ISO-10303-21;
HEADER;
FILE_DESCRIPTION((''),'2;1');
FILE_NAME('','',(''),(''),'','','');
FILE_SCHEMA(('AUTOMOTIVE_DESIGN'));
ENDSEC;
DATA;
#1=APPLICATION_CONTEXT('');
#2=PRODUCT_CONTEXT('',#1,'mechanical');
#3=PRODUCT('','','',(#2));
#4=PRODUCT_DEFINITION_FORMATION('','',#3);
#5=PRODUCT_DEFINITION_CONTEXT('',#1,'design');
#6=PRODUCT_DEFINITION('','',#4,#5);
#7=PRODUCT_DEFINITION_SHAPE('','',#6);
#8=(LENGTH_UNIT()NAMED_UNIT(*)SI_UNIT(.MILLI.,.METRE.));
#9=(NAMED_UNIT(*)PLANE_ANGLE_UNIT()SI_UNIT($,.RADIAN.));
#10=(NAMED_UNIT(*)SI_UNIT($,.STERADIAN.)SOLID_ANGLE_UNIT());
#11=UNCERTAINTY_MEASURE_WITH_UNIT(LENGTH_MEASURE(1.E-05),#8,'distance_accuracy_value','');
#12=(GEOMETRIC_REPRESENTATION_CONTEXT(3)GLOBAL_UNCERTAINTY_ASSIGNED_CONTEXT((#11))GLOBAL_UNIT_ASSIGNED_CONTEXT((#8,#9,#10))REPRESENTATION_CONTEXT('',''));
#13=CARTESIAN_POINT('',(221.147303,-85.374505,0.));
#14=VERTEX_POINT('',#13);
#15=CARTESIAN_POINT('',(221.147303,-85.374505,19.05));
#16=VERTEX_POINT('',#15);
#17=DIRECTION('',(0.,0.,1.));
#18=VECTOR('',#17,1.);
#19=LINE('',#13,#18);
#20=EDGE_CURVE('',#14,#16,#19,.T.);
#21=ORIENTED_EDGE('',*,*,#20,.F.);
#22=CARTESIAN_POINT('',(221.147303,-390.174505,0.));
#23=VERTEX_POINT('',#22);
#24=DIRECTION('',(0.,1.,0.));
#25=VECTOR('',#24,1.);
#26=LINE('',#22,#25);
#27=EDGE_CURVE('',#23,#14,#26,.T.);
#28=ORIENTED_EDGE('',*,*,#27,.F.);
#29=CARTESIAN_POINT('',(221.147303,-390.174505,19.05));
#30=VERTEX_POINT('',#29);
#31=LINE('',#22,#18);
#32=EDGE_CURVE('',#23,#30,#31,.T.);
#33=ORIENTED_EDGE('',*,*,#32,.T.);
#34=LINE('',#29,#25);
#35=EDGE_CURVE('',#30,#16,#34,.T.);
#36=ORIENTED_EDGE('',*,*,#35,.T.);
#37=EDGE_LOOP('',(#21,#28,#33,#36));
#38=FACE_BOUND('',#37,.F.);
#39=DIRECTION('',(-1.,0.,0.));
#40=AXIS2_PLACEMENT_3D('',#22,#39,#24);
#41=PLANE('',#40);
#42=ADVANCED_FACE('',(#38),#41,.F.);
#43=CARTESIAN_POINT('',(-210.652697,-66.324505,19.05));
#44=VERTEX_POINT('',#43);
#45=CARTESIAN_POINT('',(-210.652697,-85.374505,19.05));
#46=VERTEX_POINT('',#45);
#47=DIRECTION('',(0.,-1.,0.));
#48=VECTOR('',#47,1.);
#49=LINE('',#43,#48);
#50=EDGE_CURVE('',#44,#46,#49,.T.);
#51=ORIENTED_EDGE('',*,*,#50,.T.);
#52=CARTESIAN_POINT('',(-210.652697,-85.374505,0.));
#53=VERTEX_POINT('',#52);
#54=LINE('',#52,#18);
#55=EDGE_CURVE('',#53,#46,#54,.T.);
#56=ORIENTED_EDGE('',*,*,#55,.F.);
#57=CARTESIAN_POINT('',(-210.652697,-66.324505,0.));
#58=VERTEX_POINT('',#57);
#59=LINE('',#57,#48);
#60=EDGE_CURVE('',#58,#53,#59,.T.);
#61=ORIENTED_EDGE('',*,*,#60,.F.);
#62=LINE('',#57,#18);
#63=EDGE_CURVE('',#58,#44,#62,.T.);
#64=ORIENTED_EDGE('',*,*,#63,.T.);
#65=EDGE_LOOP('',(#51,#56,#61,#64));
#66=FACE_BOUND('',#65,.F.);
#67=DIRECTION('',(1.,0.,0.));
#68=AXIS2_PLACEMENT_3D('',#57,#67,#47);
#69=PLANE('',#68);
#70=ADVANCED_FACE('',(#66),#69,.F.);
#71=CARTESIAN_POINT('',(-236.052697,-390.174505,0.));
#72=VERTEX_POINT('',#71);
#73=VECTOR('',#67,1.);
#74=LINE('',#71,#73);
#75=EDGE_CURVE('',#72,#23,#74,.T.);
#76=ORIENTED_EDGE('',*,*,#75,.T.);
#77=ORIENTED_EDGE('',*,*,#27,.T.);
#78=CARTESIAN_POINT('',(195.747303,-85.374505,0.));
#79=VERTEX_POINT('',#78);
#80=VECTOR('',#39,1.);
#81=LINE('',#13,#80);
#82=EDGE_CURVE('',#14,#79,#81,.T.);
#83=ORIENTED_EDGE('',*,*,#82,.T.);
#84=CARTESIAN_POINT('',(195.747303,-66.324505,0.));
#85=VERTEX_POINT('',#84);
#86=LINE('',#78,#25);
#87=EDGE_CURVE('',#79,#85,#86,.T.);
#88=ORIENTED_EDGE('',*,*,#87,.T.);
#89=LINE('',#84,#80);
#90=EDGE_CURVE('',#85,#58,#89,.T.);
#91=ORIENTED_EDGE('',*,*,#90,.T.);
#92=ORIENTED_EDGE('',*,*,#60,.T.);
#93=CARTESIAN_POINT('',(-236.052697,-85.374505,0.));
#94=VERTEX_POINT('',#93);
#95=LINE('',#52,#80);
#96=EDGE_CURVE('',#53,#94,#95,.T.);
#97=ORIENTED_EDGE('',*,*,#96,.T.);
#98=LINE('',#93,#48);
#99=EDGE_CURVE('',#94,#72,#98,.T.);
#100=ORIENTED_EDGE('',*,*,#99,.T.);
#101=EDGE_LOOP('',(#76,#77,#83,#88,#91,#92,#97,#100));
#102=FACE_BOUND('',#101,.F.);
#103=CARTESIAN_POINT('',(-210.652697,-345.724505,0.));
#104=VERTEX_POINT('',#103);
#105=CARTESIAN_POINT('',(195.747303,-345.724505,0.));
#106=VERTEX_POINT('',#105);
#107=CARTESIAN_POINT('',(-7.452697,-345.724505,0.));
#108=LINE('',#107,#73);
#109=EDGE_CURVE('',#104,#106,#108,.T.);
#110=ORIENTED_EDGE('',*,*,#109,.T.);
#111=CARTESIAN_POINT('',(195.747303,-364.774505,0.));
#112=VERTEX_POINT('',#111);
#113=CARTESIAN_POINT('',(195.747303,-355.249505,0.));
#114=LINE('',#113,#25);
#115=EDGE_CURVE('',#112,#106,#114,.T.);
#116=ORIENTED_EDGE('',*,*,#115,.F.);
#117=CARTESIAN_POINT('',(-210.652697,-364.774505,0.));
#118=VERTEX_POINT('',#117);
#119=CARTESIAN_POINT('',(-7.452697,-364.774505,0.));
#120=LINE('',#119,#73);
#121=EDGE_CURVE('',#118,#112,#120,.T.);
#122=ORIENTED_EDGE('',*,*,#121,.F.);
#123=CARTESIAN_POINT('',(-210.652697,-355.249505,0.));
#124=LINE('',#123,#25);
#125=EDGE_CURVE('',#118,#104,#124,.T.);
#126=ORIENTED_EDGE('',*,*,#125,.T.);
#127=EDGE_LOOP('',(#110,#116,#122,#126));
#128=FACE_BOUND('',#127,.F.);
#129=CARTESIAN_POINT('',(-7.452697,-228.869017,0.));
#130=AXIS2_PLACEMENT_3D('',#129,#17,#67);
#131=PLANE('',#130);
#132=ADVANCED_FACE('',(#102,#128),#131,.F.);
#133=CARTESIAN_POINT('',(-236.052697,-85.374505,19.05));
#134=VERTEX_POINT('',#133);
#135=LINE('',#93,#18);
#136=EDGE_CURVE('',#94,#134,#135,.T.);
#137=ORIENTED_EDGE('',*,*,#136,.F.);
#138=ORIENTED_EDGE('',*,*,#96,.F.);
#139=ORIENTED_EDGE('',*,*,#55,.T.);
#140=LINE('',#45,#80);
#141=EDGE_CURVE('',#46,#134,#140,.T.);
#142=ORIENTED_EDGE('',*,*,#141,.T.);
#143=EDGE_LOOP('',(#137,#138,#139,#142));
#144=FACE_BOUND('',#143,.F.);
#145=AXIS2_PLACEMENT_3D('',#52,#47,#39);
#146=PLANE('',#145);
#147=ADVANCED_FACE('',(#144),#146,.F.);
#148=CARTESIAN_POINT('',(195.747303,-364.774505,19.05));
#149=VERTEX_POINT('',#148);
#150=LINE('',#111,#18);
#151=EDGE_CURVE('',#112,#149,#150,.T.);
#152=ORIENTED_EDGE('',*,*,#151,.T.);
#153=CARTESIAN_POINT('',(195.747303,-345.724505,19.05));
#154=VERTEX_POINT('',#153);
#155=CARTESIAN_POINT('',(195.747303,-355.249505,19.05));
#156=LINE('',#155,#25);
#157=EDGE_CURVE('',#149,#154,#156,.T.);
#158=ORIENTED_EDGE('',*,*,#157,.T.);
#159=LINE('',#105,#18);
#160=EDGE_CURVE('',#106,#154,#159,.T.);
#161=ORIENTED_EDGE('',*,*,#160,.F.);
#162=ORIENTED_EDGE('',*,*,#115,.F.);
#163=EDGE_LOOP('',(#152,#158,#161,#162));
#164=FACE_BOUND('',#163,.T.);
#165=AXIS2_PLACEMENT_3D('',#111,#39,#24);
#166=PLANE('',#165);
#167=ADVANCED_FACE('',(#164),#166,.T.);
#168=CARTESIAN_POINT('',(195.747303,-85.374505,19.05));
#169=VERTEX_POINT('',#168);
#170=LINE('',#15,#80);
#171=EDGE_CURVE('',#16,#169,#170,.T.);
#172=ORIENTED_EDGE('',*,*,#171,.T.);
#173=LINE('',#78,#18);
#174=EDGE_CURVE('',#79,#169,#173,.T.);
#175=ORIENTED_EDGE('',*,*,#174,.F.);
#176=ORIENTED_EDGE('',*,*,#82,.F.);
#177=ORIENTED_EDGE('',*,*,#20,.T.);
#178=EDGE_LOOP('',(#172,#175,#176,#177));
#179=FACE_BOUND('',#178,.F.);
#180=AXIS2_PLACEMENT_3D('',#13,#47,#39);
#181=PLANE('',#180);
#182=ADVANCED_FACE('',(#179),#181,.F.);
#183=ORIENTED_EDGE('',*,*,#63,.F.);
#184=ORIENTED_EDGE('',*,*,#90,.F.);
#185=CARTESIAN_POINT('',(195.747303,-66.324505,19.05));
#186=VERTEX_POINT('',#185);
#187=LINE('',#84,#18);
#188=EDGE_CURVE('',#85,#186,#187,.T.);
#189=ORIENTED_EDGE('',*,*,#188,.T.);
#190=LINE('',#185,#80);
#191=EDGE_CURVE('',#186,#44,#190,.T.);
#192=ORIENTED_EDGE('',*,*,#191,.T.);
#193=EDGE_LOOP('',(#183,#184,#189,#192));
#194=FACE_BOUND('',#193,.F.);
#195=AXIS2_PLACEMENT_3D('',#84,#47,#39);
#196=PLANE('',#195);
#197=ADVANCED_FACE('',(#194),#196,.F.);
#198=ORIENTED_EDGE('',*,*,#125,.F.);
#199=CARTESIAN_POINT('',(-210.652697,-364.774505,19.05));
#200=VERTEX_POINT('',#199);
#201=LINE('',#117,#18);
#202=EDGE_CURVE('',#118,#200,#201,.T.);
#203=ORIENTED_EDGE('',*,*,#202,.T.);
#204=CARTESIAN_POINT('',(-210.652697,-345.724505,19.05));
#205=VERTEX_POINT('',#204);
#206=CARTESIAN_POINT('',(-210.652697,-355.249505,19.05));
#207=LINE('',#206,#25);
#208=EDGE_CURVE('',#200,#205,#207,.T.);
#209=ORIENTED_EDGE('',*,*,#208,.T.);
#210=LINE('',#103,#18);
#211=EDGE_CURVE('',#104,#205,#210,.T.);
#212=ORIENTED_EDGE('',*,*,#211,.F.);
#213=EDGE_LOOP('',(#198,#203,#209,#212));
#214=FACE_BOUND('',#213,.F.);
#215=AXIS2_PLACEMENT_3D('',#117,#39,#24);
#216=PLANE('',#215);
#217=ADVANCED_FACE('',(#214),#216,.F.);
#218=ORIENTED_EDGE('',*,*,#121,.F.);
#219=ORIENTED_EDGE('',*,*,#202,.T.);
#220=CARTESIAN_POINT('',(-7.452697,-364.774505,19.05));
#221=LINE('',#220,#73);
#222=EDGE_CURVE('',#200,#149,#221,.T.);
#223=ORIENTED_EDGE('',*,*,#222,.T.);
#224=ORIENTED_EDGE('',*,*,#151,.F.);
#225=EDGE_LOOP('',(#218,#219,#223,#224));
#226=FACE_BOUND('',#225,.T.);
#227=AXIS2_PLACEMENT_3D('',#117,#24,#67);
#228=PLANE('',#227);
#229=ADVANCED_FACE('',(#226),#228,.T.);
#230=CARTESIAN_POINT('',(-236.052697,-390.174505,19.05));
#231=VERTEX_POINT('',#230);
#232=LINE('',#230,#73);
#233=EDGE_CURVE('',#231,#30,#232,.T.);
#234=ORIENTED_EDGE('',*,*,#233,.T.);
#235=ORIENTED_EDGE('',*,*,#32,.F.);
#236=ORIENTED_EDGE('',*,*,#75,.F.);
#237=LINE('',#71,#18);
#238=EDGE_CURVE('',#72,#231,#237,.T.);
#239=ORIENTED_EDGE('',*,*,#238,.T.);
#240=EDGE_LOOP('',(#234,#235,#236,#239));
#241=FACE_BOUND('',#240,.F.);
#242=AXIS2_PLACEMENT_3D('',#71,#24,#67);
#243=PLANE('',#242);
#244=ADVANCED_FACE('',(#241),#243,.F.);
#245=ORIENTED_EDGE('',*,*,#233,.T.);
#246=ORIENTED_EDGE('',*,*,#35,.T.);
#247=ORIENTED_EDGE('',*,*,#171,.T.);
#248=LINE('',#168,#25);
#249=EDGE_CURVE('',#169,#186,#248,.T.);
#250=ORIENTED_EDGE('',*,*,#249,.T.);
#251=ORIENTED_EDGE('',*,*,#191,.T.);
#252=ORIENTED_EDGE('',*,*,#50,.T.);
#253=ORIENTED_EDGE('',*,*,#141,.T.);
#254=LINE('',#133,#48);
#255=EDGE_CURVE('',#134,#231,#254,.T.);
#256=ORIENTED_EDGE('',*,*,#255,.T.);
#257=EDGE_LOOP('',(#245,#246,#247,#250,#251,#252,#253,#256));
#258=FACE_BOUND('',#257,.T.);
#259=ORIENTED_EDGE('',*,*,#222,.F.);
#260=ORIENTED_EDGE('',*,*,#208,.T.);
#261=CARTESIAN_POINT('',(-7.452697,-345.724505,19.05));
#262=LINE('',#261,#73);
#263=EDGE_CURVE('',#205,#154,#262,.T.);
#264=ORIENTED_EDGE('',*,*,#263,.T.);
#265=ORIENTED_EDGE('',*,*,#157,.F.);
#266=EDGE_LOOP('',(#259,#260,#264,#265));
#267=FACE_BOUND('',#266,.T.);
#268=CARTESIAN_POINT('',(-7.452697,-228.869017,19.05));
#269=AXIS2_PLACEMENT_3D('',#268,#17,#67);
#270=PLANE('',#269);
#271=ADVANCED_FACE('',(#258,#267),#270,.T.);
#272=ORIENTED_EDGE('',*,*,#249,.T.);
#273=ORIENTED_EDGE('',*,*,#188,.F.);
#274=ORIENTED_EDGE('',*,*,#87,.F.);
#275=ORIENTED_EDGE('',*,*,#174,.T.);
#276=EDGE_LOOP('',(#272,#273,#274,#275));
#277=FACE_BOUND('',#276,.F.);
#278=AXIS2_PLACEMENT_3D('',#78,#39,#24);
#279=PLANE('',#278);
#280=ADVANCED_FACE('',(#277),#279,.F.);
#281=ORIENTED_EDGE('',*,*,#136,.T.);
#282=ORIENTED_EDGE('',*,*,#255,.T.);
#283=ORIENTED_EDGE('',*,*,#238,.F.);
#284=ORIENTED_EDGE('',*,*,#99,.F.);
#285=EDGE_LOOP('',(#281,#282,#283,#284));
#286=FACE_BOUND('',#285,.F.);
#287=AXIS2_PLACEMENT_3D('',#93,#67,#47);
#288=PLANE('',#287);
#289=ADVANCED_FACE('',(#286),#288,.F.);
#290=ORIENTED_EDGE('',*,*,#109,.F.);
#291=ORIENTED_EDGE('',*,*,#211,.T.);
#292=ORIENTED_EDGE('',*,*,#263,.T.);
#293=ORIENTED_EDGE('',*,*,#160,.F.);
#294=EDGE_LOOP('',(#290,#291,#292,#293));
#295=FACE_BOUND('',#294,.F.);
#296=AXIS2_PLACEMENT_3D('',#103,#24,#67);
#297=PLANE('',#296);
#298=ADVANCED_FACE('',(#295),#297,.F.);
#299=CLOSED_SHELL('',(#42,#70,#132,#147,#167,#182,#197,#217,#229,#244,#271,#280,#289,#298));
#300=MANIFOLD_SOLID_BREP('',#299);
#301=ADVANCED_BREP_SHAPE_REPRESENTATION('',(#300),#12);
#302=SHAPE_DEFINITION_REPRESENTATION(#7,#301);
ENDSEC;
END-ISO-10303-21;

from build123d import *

# Parameters (mm, degrees)
F0_W     = 406.4
F0_H     = 19.05
F1_DEPTH = 19.05


with BuildPart() as f1:
    # F0 (on Top) → F1 (new body)
    with BuildSketch(Plane.XY):
        Polygon((-210.652697, -85.374505), (-236.052697, -85.374505), (-236.052697, -390.174505), (221.147303, -390.174505), (221.147303, -85.374505), (195.747303, -85.374505), (195.747303, -66.324505), (-210.652697, -66.324505), align=None)
        with Locations((-7.452697, -355.249505)):
            Rectangle(F0_W, F0_H, mode=Mode.SUBTRACT)
    extrude(amount=F1_DEPTH)


solid = f1.part
